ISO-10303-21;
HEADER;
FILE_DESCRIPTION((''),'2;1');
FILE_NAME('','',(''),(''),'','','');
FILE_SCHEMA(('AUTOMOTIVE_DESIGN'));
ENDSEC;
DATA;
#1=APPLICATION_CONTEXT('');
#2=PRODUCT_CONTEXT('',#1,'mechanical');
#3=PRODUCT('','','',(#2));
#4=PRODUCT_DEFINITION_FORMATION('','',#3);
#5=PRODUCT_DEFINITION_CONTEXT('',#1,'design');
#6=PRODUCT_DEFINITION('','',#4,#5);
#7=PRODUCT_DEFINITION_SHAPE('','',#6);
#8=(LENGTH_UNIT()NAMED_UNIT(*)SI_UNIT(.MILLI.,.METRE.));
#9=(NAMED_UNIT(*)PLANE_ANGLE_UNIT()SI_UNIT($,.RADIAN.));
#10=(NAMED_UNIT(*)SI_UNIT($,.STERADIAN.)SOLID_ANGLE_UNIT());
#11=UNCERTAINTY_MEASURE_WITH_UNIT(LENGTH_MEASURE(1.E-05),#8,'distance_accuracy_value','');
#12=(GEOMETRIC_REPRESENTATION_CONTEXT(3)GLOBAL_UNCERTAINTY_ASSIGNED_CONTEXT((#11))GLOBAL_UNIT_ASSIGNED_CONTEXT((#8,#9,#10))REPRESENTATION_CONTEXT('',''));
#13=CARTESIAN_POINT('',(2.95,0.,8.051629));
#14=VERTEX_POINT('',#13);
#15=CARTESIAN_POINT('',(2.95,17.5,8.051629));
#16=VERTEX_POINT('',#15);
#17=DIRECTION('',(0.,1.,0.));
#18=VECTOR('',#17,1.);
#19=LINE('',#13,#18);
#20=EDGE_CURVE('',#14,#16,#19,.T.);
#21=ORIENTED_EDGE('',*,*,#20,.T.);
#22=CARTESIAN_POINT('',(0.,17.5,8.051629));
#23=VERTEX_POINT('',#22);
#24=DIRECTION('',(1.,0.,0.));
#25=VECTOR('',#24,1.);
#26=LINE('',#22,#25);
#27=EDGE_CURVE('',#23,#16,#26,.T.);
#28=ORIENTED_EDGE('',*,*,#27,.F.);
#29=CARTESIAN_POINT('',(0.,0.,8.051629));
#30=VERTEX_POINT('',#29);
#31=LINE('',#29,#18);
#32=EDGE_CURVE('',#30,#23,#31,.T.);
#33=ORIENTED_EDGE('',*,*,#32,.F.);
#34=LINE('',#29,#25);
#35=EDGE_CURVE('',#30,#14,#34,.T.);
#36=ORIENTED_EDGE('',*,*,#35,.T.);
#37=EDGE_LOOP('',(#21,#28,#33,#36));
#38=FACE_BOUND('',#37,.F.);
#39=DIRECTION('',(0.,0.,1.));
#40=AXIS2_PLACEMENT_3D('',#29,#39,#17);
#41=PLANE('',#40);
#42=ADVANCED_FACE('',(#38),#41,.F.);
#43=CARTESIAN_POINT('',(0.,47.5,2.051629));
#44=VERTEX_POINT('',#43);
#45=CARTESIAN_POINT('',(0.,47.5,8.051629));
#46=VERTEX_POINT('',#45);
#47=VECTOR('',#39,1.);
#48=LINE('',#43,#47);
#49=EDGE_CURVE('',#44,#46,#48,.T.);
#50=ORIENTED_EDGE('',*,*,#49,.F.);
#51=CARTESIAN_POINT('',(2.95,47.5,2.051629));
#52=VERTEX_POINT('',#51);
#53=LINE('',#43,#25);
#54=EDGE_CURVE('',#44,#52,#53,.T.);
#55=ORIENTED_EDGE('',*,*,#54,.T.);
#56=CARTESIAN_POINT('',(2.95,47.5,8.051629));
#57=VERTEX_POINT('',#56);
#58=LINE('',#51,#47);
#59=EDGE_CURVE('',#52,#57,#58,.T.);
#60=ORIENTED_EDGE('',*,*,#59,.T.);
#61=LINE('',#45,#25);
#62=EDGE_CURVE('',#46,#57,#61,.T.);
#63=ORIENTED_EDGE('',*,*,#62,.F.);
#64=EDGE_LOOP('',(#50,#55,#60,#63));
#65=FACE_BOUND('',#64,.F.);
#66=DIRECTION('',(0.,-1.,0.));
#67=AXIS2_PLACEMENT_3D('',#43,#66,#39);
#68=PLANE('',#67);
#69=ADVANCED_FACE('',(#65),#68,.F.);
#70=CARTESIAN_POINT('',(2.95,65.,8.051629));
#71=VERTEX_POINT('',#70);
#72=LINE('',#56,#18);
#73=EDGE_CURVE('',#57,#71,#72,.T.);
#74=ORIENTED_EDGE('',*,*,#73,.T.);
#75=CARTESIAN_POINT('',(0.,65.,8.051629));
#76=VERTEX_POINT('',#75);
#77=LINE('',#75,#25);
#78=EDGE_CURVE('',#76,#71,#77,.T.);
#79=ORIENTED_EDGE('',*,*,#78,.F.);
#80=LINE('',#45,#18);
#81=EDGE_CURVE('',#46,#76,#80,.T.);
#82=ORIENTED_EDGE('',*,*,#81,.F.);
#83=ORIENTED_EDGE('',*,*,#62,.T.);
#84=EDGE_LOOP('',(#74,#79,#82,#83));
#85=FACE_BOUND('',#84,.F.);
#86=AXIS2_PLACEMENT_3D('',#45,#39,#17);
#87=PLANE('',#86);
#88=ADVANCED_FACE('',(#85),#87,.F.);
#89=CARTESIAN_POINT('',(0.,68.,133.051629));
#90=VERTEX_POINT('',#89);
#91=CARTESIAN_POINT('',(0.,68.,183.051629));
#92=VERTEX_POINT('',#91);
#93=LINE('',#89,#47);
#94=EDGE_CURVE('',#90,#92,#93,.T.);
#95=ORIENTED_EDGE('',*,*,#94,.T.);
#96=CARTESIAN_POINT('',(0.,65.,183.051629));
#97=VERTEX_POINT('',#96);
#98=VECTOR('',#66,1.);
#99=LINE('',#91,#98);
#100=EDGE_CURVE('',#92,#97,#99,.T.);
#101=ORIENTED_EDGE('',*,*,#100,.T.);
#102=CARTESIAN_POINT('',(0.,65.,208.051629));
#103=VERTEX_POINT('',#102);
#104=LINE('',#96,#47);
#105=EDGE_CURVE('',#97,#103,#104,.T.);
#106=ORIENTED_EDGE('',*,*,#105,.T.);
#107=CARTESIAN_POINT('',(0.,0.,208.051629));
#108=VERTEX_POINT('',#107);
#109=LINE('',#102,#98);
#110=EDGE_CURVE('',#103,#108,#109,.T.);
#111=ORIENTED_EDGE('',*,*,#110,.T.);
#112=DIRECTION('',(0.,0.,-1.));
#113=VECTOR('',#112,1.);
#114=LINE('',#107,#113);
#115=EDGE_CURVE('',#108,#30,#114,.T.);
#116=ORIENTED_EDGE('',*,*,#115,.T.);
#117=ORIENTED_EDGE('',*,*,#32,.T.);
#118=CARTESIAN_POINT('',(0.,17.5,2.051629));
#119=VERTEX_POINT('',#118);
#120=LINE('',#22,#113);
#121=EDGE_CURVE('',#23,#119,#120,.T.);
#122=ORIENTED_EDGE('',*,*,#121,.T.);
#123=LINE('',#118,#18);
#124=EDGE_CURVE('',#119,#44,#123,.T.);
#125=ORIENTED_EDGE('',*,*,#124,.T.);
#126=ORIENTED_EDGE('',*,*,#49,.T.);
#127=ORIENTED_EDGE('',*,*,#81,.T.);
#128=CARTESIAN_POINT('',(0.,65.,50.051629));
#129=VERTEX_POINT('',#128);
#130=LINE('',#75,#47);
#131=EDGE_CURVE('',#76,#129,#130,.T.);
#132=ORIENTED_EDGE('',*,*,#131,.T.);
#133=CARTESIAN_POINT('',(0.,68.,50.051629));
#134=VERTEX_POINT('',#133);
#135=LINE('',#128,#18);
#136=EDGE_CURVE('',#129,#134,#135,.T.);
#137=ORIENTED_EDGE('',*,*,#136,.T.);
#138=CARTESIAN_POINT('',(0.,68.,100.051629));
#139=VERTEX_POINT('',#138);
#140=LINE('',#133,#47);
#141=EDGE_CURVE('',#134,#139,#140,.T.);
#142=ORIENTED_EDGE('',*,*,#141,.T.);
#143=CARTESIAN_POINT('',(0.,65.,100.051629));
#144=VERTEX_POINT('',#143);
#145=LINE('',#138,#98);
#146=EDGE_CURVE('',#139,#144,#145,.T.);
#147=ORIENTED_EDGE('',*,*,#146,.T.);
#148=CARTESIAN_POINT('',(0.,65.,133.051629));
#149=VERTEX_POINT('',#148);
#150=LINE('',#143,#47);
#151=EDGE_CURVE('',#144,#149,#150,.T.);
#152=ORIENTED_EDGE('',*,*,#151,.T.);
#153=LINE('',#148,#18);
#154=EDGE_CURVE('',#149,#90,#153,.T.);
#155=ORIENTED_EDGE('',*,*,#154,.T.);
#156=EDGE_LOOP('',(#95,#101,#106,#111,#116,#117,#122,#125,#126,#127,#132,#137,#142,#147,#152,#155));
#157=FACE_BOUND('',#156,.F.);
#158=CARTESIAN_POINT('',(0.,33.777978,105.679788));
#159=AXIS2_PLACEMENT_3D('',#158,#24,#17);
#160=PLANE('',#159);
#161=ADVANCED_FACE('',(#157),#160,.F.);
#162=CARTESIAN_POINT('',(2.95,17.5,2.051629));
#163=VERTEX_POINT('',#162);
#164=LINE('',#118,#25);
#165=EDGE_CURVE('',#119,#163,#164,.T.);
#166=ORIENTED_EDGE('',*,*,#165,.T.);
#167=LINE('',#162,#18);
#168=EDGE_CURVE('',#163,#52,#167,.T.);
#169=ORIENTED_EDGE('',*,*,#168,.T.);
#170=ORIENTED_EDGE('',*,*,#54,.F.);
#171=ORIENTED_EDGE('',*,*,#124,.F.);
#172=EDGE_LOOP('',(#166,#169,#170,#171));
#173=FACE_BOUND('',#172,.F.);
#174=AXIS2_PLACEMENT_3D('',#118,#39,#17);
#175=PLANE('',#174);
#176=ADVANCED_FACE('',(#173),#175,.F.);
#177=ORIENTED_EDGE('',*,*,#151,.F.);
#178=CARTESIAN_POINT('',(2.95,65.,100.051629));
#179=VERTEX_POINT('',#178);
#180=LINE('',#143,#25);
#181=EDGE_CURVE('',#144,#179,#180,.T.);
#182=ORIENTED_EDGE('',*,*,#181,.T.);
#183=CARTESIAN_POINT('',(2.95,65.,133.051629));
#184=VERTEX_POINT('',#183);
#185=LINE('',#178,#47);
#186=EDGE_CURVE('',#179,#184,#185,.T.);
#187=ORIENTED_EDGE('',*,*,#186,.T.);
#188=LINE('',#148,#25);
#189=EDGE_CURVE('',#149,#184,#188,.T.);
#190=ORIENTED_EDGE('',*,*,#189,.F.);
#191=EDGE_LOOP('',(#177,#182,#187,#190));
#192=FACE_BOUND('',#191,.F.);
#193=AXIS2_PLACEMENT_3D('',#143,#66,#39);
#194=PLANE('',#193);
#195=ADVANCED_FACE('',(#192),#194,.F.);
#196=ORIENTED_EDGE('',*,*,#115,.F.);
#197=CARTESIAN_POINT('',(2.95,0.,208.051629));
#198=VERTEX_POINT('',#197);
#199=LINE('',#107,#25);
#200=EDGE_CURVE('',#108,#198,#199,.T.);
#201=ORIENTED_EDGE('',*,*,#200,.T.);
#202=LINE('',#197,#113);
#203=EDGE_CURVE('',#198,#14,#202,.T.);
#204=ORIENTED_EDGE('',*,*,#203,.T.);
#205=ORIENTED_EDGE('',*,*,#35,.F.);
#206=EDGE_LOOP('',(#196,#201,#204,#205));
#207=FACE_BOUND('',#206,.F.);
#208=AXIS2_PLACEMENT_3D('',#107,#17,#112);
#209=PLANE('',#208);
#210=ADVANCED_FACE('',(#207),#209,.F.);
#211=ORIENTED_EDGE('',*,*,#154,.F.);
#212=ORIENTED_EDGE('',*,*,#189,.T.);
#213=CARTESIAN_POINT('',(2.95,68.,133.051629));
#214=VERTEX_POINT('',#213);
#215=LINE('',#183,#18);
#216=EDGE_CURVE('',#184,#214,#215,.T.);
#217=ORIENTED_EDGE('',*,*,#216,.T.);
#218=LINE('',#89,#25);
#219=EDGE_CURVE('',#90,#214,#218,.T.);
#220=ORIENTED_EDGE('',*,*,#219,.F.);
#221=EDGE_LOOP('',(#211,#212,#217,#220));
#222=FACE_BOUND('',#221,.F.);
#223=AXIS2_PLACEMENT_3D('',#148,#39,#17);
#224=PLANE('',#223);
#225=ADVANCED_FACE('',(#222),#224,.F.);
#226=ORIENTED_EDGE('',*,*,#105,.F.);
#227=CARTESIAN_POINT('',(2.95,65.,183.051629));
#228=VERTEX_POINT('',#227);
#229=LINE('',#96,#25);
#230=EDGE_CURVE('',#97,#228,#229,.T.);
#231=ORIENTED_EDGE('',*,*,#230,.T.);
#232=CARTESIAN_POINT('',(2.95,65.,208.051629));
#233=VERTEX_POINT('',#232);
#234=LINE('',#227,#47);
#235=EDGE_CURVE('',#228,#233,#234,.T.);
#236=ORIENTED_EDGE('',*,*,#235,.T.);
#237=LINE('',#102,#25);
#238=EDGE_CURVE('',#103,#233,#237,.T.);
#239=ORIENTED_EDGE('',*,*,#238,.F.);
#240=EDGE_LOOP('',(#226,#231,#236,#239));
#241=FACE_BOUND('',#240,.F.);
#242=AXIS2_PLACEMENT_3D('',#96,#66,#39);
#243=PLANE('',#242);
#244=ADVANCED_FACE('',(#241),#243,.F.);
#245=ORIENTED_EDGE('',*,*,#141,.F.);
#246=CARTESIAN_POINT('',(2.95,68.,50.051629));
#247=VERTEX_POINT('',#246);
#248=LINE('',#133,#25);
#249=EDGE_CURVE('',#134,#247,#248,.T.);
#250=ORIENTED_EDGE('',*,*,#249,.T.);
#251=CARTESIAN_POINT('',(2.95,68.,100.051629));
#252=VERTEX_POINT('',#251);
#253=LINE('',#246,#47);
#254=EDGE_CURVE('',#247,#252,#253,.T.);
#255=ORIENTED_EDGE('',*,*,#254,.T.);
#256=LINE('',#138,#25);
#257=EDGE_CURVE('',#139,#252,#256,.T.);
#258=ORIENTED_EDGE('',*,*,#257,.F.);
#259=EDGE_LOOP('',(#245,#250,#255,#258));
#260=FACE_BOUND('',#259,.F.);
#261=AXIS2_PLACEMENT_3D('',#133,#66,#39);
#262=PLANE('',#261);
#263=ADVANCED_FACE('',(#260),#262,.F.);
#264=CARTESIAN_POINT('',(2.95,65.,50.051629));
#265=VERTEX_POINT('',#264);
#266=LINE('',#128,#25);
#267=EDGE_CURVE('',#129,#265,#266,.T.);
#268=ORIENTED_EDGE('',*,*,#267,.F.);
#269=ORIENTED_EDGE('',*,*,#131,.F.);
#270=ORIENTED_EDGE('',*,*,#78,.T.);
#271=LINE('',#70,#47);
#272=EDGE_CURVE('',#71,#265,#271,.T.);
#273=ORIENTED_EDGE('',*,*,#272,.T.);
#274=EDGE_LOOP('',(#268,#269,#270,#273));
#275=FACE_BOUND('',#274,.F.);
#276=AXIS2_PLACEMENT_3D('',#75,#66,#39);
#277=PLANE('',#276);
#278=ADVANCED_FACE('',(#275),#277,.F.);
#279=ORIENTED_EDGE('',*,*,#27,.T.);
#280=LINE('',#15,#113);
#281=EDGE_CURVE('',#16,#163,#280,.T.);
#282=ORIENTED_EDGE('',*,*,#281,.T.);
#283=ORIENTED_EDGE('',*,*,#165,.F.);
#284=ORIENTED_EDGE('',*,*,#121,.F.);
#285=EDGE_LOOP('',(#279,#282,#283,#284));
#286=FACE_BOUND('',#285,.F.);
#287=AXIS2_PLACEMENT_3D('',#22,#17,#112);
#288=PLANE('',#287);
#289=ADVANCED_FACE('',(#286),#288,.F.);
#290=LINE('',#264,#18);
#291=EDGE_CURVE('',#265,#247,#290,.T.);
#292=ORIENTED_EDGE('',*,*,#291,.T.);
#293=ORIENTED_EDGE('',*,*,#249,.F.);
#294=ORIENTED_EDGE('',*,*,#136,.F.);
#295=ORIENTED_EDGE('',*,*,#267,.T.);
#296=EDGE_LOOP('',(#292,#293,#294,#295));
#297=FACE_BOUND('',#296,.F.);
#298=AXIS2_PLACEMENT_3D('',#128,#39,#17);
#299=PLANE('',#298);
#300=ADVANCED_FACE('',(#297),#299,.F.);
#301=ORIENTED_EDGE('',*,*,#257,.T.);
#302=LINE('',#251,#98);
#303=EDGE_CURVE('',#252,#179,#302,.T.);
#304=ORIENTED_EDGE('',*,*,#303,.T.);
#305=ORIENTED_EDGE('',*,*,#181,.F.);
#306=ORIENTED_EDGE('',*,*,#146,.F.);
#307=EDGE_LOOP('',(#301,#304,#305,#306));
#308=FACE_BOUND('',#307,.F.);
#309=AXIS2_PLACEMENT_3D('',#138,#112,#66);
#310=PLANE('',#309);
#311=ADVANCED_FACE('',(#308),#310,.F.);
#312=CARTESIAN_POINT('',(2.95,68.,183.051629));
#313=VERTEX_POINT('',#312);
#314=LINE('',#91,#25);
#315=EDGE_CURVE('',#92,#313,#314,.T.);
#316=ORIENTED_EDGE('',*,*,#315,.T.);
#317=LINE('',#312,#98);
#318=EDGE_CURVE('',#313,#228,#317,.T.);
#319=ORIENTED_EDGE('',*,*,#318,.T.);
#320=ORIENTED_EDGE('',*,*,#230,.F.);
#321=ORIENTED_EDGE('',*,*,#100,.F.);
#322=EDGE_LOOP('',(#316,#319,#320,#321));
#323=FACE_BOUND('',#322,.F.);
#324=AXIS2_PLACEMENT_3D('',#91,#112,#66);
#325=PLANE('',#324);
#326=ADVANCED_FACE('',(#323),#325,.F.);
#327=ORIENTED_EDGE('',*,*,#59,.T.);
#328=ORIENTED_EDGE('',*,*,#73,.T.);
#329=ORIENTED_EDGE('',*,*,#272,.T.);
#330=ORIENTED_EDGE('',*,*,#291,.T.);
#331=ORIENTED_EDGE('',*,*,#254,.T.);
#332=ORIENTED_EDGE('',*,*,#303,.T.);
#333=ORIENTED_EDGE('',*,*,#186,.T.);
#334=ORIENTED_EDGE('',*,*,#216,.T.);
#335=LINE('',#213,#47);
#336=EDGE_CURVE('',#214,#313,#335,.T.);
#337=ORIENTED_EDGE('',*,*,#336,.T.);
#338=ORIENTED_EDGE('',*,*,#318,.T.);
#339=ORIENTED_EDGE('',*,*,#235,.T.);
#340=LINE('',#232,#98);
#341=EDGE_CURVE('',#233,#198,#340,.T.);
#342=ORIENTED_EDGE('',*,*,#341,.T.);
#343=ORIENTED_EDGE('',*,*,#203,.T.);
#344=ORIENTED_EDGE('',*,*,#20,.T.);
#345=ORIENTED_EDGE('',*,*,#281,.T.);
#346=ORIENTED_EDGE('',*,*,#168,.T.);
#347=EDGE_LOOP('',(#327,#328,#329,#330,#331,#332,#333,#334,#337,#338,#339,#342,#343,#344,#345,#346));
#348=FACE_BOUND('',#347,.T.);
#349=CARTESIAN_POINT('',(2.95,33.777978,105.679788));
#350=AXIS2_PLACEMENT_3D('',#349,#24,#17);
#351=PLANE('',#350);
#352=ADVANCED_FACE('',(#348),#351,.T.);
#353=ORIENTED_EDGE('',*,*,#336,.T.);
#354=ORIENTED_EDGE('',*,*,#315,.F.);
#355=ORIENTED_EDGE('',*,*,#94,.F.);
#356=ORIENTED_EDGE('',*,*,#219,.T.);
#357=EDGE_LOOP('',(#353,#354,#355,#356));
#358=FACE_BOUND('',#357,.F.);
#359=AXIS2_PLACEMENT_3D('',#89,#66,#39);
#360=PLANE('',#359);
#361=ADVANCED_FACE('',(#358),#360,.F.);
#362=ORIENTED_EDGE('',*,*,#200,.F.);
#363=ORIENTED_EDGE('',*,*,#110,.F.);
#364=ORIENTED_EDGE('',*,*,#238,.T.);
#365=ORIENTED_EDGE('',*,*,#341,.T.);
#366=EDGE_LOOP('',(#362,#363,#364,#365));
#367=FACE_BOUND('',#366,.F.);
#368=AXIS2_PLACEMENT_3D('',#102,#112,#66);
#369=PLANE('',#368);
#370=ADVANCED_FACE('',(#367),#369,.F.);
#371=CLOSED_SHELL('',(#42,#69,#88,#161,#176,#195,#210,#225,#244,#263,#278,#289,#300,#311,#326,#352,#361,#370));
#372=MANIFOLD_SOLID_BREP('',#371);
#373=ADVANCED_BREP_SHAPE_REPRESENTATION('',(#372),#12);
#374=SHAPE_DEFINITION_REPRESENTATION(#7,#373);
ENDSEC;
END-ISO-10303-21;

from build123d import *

# Parameters (mm, degrees)
F1_DEPTH = 2.95


with BuildPart() as f1:
    # F0 (on Right) → F1 (new body)
    with BuildSketch(Plane.YZ):
        Polygon((0, 208.051629), (0, 8.051629), (17.5, 8.051629), (17.5, 2.051629), (47.5, 2.051629), (47.5, 8.051629), (65, 8.051629), (65, 50.051629), (68, 50.051629), (68, 100.051629), (65, 100.051629), (65, 133.051629), (68, 133.051629), (68, 183.051629), (65, 183.051629), (65, 208.051629), align=None)
    extrude(amount=F1_DEPTH)


solid = f1.part
